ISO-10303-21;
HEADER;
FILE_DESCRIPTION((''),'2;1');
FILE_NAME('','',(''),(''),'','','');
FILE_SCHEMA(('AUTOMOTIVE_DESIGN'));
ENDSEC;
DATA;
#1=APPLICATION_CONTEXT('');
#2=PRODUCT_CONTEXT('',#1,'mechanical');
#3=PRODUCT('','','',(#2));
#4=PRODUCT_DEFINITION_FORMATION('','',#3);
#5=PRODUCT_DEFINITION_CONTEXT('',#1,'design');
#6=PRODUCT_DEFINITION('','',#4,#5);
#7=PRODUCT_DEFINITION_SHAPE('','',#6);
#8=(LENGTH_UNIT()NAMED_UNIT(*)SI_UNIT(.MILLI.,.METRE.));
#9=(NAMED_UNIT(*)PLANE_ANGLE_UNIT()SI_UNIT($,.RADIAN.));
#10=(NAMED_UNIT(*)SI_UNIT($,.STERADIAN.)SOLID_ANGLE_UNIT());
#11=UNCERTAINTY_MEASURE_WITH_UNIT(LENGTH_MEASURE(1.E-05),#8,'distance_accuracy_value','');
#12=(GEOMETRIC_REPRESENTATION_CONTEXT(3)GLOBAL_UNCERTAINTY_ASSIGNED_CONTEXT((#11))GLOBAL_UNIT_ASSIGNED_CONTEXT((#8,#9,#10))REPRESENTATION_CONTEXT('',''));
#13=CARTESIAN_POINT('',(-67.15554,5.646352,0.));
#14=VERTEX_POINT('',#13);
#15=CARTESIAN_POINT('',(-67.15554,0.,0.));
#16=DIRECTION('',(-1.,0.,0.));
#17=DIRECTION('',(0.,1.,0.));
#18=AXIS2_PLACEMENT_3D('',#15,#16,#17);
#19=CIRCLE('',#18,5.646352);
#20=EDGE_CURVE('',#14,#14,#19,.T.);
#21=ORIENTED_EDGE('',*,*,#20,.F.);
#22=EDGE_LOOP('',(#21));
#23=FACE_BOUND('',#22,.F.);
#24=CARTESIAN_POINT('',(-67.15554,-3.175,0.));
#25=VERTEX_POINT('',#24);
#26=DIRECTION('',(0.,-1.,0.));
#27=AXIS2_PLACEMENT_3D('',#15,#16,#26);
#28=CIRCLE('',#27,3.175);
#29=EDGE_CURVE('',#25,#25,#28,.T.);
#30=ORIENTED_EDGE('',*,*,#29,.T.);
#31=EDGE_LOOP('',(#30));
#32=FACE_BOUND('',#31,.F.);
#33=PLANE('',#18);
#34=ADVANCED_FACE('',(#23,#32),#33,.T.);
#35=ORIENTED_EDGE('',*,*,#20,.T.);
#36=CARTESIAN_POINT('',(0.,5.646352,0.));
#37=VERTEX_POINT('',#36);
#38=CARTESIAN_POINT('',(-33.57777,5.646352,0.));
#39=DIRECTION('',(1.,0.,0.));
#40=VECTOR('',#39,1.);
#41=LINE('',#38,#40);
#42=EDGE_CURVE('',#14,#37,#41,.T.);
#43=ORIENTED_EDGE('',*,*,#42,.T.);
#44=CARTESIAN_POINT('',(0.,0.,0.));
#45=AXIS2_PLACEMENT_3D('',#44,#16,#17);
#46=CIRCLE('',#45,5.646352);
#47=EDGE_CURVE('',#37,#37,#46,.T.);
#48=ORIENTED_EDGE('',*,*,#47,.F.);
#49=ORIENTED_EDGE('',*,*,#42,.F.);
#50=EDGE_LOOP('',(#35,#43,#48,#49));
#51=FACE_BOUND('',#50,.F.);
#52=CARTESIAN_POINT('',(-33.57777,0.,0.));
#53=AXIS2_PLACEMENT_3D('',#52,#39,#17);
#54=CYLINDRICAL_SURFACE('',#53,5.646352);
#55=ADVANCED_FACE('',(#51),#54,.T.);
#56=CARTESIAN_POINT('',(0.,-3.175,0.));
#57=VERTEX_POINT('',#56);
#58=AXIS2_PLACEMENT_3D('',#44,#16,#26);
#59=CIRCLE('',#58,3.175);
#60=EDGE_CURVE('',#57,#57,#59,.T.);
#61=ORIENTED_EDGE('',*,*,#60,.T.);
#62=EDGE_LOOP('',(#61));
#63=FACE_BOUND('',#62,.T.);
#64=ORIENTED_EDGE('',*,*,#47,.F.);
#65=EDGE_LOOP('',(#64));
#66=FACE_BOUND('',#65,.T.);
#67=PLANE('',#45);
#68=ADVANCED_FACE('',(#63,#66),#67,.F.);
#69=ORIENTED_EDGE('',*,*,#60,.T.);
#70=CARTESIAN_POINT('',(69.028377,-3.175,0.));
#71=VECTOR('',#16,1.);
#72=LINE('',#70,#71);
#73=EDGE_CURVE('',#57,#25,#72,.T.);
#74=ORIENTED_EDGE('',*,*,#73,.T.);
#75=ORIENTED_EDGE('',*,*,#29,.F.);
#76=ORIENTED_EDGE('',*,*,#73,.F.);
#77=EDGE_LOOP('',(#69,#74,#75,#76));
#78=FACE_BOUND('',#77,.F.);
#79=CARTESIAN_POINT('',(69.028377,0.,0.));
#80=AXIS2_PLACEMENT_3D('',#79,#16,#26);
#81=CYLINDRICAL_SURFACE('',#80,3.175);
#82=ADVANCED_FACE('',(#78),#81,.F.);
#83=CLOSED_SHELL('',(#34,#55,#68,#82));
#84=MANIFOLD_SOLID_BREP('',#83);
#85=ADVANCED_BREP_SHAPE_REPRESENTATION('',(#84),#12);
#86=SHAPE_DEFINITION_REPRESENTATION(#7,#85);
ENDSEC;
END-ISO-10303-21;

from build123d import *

# Parameters (mm, degrees)
F0_W = 67.15554
F0_H = 5.646352
F3_D = 6.35


with BuildPart() as f2:
    # F0 (on Top) → F2 (revolve)
    with BuildSketch(Plane.XY):
        with Locations((-33.57777, 2.823176)):
            Rectangle(F0_W, F0_H)
    revolve(axis=Axis((-33.57777, 0, 0), (-1, 0, 0)))

    # F3 (through all)
    with Locations(Plane.YZ):
        with Locations((0, 0)):
            Hole(F3_D / 2)


solid = f2.part
